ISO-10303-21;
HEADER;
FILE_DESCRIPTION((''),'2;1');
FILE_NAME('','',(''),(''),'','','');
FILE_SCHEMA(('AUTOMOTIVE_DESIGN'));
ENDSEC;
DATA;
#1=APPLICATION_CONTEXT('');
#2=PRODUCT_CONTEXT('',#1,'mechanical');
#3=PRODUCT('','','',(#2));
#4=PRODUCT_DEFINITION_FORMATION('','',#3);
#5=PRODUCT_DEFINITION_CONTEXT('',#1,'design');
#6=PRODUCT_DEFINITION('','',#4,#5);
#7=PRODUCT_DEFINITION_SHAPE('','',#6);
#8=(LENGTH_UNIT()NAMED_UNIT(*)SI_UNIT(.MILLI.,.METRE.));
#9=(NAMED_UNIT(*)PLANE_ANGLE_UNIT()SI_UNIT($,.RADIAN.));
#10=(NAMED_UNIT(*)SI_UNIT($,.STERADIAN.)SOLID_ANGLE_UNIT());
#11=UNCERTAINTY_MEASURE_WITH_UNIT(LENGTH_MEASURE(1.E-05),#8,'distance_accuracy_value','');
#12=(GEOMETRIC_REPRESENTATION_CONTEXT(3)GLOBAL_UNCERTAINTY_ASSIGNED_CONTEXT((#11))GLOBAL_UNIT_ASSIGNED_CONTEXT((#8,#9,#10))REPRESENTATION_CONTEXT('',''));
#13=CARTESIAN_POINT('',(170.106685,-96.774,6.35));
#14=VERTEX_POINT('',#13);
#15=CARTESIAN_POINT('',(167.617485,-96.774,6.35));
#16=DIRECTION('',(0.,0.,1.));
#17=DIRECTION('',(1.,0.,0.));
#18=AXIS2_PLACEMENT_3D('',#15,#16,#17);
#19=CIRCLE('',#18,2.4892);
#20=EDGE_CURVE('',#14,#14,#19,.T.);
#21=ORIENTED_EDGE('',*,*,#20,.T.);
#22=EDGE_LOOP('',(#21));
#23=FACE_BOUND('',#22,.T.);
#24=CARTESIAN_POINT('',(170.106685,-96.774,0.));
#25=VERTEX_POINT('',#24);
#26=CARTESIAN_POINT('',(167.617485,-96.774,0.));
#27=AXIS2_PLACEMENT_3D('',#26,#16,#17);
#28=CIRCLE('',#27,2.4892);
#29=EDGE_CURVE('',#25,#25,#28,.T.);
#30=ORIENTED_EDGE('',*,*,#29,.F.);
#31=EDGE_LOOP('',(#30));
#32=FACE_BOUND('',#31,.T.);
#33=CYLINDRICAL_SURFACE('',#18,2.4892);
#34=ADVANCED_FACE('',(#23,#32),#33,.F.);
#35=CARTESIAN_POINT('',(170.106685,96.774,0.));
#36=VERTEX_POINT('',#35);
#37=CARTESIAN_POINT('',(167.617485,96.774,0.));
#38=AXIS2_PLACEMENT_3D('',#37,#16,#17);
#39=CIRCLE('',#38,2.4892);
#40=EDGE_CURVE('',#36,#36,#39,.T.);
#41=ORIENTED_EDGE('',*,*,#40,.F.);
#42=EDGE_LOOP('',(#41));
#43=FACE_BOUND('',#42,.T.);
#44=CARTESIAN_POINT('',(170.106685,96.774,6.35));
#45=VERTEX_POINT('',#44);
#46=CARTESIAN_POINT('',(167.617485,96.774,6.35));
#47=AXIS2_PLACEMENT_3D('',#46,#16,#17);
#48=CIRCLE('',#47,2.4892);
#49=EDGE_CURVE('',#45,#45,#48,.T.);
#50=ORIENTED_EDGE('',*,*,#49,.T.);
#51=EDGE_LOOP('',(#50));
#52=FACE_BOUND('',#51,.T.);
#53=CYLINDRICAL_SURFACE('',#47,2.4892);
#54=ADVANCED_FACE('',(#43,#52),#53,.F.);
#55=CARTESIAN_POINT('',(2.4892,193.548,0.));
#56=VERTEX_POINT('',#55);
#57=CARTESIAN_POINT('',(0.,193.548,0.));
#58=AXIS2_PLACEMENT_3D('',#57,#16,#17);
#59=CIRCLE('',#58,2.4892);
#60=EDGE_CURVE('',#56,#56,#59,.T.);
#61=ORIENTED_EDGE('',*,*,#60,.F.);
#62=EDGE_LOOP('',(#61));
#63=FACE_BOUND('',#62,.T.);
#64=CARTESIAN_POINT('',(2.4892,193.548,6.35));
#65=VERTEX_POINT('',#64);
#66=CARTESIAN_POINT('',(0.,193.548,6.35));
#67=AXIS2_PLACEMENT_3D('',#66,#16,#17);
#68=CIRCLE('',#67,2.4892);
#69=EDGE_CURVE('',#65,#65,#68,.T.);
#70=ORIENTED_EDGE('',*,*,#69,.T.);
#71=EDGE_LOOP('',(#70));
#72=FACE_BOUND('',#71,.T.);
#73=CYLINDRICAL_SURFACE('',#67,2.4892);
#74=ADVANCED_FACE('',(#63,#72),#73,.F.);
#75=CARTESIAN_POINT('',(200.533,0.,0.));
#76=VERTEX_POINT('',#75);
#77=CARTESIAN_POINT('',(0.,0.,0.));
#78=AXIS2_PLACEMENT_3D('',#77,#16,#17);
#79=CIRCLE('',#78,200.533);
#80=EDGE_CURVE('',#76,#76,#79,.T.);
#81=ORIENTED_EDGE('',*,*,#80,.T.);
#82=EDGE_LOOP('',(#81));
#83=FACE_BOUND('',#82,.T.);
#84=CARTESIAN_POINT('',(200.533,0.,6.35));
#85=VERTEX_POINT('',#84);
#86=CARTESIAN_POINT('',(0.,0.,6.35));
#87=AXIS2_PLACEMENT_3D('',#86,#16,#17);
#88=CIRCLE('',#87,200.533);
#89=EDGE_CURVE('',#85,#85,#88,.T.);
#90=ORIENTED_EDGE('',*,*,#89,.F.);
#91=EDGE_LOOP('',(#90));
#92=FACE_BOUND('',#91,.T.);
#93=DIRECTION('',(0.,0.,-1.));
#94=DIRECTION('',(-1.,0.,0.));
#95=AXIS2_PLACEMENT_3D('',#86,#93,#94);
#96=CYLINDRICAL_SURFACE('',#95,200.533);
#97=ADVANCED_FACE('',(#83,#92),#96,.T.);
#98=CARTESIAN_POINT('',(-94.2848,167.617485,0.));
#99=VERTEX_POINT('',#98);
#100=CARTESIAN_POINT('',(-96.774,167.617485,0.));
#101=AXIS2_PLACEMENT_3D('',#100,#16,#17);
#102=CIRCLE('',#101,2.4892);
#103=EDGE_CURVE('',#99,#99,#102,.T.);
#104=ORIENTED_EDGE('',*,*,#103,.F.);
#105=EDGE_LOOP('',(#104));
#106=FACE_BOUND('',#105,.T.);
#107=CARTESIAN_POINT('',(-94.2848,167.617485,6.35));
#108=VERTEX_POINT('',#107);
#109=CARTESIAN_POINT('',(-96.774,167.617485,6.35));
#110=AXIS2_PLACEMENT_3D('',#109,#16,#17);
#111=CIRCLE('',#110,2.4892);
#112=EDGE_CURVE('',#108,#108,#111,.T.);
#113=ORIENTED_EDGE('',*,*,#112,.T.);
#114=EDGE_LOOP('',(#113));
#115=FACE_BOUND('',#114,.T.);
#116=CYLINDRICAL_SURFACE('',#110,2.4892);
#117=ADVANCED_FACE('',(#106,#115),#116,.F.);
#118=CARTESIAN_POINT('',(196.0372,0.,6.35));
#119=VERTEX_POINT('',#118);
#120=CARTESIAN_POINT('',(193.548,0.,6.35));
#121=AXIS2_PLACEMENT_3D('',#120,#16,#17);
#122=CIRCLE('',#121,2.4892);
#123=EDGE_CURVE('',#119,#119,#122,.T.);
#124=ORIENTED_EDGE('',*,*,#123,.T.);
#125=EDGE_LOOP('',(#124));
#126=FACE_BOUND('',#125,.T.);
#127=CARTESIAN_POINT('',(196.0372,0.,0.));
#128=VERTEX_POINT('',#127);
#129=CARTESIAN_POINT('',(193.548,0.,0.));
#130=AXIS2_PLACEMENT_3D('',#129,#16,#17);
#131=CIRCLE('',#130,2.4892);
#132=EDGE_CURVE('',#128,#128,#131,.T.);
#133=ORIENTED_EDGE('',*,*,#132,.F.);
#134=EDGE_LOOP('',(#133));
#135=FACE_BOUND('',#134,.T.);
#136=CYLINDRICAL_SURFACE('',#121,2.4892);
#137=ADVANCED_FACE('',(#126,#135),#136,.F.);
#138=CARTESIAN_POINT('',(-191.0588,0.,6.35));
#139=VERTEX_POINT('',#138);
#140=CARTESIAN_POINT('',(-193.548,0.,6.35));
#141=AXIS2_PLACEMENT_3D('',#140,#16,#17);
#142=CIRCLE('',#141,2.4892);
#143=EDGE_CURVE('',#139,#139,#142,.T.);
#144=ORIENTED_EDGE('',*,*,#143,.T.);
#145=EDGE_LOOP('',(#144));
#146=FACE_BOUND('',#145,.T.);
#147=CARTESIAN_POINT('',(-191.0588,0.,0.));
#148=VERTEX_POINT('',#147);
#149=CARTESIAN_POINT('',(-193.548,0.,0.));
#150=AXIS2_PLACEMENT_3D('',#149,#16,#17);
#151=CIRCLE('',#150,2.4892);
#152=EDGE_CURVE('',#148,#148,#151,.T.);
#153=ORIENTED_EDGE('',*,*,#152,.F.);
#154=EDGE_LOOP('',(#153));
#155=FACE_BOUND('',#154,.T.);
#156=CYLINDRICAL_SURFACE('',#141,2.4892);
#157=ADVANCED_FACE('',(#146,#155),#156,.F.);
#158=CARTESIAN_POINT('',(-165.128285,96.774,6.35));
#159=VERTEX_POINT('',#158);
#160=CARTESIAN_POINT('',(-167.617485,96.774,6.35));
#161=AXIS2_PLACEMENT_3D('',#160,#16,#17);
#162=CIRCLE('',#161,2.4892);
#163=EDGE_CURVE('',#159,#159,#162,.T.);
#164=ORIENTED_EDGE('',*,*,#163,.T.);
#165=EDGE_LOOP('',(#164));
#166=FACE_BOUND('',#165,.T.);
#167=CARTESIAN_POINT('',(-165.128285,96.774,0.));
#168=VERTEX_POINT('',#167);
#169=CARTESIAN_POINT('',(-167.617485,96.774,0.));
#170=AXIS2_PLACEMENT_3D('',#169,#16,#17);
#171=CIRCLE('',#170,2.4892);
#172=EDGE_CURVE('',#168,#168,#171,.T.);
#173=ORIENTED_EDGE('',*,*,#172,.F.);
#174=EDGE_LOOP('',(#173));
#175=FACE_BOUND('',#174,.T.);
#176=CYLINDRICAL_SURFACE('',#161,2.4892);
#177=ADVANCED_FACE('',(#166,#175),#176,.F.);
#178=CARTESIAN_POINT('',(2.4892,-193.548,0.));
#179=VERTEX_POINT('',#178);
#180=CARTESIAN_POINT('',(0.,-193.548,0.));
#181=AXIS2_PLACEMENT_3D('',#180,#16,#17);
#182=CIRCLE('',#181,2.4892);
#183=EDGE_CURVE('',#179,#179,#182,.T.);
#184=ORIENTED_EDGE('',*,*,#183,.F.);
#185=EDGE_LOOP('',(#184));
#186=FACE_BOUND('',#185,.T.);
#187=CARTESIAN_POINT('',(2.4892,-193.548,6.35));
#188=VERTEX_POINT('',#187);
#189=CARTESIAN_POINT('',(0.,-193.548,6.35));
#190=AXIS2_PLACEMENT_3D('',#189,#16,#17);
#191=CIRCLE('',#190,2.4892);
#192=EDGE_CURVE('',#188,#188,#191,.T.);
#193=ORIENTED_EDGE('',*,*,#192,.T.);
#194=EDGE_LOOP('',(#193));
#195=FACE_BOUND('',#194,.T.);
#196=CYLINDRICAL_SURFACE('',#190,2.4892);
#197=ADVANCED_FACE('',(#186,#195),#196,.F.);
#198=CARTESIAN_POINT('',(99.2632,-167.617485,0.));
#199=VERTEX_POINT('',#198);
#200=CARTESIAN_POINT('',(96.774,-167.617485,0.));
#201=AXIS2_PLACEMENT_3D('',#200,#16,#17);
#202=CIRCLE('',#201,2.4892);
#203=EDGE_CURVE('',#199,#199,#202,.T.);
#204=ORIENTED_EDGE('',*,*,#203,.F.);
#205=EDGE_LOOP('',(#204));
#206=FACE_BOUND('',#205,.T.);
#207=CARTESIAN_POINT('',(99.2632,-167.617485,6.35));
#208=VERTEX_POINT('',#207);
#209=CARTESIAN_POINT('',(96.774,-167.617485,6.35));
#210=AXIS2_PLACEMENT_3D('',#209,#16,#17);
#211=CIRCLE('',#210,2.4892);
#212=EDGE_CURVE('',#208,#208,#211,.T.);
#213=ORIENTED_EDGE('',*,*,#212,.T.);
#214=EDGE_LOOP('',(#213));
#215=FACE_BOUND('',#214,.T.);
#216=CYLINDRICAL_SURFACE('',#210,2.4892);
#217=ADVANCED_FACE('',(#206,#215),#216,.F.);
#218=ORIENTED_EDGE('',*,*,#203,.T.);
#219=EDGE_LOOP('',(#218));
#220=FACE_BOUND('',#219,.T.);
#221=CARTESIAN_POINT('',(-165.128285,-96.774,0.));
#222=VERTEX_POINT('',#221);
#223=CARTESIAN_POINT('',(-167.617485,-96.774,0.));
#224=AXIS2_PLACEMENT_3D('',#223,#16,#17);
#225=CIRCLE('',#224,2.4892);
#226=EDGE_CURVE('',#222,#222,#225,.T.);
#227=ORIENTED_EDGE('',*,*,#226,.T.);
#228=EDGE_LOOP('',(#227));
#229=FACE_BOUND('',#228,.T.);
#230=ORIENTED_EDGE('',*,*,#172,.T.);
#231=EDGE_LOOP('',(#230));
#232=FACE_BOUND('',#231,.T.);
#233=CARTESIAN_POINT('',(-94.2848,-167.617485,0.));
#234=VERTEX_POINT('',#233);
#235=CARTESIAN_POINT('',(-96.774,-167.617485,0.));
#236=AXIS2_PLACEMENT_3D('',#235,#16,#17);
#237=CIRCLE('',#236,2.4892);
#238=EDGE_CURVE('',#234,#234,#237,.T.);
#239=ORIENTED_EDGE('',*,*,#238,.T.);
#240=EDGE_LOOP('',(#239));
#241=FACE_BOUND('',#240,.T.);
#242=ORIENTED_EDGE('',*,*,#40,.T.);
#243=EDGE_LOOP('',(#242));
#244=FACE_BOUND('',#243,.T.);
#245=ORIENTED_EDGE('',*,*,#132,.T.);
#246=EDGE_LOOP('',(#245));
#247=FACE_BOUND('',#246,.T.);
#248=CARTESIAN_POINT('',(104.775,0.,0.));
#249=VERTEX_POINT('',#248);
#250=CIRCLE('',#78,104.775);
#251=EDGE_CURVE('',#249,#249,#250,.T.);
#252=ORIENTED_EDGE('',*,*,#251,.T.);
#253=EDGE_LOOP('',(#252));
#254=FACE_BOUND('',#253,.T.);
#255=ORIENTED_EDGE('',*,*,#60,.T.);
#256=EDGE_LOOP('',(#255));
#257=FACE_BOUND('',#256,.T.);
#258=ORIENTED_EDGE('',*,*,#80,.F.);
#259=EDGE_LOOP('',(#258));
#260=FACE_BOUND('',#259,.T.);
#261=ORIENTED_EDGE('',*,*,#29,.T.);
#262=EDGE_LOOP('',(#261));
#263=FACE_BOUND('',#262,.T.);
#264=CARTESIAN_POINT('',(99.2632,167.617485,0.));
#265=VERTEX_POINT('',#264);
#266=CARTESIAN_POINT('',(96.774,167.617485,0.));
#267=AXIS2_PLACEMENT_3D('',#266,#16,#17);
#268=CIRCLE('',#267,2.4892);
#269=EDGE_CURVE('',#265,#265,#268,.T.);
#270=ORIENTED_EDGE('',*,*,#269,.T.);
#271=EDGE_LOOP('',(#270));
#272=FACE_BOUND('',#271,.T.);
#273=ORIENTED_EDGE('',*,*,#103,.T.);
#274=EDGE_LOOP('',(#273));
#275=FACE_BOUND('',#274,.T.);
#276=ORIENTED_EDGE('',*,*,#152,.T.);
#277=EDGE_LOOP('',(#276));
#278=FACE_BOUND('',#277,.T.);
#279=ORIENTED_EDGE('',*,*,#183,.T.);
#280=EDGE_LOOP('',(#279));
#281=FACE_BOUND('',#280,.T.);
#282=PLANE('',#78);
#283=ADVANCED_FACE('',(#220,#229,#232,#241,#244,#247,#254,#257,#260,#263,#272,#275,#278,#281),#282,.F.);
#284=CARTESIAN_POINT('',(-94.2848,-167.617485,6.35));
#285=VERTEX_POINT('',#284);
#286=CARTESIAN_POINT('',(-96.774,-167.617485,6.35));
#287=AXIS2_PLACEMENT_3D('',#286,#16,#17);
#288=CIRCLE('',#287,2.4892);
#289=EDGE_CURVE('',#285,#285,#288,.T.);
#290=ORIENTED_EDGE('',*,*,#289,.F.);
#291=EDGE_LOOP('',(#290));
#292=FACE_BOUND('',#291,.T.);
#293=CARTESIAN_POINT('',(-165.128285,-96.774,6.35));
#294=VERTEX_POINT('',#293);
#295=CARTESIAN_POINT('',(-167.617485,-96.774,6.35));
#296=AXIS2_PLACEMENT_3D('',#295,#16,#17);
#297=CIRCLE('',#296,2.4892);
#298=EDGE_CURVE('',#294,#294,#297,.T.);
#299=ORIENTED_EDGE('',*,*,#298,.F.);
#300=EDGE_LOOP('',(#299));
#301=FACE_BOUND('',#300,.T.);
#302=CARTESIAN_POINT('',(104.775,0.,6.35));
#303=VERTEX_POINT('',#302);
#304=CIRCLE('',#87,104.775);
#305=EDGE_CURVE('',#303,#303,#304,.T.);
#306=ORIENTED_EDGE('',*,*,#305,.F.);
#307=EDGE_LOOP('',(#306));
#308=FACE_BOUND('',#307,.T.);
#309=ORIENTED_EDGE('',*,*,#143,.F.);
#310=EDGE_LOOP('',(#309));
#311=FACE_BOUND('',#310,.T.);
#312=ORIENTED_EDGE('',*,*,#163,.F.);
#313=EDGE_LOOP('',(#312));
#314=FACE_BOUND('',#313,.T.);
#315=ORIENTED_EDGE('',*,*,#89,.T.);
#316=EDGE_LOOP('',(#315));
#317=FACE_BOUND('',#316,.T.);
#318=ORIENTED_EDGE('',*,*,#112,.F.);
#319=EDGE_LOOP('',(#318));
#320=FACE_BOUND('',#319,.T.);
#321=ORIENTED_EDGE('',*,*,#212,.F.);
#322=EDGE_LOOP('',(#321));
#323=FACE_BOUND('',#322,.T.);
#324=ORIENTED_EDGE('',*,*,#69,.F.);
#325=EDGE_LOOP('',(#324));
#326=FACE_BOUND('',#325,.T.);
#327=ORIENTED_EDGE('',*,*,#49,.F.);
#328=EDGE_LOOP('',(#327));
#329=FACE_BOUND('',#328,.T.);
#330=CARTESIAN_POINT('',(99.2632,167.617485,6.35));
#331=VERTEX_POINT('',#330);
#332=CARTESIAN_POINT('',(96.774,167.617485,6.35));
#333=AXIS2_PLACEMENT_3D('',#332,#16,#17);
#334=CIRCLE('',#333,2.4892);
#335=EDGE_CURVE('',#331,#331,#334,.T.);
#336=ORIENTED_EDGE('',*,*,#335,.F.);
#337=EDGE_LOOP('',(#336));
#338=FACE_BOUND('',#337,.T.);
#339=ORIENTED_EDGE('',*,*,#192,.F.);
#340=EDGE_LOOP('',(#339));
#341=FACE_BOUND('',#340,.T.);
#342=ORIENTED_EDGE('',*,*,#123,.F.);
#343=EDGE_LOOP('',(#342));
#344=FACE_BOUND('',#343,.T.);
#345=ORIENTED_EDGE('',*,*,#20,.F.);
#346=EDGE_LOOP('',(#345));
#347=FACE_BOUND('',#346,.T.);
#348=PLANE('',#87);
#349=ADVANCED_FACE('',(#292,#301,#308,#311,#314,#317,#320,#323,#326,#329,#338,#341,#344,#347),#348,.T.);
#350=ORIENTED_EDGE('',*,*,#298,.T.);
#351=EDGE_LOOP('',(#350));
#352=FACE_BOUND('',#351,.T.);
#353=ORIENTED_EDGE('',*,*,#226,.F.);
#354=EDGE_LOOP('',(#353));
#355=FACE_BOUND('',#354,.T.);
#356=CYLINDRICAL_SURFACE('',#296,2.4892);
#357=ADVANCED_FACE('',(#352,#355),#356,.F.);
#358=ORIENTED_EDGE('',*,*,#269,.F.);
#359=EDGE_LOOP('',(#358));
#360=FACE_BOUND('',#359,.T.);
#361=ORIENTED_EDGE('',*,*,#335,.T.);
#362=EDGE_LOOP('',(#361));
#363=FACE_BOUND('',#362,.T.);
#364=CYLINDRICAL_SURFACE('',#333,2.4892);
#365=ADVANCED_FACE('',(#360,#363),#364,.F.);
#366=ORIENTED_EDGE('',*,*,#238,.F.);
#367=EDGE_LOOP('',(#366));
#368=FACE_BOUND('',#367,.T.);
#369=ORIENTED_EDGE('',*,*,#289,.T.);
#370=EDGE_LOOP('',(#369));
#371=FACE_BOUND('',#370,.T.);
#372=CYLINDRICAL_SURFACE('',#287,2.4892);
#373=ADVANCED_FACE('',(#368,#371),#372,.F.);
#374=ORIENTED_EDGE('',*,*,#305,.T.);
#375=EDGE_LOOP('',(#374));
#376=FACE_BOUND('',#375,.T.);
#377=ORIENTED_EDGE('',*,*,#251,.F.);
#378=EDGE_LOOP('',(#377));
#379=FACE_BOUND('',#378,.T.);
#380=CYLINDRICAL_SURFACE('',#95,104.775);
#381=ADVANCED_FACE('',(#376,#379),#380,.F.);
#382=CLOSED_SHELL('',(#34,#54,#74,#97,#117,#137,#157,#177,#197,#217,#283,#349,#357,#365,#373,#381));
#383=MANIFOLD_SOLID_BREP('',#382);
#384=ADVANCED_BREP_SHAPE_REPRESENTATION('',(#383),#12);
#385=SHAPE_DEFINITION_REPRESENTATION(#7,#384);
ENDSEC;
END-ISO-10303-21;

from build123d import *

# Parameters (mm, degrees)
SKETCH1_R                  = 200.533
SKETCH1_R_2                = 104.775
BOSS_EXTRUDE1_DEPTH        = 6.35
F_9_0_196_DIAMETER_HOLE1_D = 4.9784


with BuildPart() as part:
    # Sketch1 → Boss-Extrude1 (new body)
    with BuildSketch(Plane(origin=(0, 0, 0), x_dir=(0, 1, 0), z_dir=(0, 0, 1))):
        with Locations(Location((0, 0, 0), (0, 0, 270))):
            Circle(SKETCH1_R)
        with Locations(Location((0, 0, 0), (0, 0, 270))):
            Circle(SKETCH1_R_2, mode=Mode.SUBTRACT)
    extrude(amount=BOSS_EXTRUDE1_DEPTH)

    # #9 (0.196) Diameter Hole1 (through all)
    with Locations(Plane.XY.offset(6.35)):
        with Locations((-96.774, 167.617484852), (-167.617484852, 96.774), (-193.548, 0), (-167.617484852, -96.774), (-96.774, -167.617484852), (0, -193.548), (96.774, -167.617484852), (167.617484852, -96.774), (193.548, 0), (167.617484852, 96.774), (96.774, 167.617484852), (0, 193.548)):
            Hole(F_9_0_196_DIAMETER_HOLE1_D / 2)


solid = part.part
